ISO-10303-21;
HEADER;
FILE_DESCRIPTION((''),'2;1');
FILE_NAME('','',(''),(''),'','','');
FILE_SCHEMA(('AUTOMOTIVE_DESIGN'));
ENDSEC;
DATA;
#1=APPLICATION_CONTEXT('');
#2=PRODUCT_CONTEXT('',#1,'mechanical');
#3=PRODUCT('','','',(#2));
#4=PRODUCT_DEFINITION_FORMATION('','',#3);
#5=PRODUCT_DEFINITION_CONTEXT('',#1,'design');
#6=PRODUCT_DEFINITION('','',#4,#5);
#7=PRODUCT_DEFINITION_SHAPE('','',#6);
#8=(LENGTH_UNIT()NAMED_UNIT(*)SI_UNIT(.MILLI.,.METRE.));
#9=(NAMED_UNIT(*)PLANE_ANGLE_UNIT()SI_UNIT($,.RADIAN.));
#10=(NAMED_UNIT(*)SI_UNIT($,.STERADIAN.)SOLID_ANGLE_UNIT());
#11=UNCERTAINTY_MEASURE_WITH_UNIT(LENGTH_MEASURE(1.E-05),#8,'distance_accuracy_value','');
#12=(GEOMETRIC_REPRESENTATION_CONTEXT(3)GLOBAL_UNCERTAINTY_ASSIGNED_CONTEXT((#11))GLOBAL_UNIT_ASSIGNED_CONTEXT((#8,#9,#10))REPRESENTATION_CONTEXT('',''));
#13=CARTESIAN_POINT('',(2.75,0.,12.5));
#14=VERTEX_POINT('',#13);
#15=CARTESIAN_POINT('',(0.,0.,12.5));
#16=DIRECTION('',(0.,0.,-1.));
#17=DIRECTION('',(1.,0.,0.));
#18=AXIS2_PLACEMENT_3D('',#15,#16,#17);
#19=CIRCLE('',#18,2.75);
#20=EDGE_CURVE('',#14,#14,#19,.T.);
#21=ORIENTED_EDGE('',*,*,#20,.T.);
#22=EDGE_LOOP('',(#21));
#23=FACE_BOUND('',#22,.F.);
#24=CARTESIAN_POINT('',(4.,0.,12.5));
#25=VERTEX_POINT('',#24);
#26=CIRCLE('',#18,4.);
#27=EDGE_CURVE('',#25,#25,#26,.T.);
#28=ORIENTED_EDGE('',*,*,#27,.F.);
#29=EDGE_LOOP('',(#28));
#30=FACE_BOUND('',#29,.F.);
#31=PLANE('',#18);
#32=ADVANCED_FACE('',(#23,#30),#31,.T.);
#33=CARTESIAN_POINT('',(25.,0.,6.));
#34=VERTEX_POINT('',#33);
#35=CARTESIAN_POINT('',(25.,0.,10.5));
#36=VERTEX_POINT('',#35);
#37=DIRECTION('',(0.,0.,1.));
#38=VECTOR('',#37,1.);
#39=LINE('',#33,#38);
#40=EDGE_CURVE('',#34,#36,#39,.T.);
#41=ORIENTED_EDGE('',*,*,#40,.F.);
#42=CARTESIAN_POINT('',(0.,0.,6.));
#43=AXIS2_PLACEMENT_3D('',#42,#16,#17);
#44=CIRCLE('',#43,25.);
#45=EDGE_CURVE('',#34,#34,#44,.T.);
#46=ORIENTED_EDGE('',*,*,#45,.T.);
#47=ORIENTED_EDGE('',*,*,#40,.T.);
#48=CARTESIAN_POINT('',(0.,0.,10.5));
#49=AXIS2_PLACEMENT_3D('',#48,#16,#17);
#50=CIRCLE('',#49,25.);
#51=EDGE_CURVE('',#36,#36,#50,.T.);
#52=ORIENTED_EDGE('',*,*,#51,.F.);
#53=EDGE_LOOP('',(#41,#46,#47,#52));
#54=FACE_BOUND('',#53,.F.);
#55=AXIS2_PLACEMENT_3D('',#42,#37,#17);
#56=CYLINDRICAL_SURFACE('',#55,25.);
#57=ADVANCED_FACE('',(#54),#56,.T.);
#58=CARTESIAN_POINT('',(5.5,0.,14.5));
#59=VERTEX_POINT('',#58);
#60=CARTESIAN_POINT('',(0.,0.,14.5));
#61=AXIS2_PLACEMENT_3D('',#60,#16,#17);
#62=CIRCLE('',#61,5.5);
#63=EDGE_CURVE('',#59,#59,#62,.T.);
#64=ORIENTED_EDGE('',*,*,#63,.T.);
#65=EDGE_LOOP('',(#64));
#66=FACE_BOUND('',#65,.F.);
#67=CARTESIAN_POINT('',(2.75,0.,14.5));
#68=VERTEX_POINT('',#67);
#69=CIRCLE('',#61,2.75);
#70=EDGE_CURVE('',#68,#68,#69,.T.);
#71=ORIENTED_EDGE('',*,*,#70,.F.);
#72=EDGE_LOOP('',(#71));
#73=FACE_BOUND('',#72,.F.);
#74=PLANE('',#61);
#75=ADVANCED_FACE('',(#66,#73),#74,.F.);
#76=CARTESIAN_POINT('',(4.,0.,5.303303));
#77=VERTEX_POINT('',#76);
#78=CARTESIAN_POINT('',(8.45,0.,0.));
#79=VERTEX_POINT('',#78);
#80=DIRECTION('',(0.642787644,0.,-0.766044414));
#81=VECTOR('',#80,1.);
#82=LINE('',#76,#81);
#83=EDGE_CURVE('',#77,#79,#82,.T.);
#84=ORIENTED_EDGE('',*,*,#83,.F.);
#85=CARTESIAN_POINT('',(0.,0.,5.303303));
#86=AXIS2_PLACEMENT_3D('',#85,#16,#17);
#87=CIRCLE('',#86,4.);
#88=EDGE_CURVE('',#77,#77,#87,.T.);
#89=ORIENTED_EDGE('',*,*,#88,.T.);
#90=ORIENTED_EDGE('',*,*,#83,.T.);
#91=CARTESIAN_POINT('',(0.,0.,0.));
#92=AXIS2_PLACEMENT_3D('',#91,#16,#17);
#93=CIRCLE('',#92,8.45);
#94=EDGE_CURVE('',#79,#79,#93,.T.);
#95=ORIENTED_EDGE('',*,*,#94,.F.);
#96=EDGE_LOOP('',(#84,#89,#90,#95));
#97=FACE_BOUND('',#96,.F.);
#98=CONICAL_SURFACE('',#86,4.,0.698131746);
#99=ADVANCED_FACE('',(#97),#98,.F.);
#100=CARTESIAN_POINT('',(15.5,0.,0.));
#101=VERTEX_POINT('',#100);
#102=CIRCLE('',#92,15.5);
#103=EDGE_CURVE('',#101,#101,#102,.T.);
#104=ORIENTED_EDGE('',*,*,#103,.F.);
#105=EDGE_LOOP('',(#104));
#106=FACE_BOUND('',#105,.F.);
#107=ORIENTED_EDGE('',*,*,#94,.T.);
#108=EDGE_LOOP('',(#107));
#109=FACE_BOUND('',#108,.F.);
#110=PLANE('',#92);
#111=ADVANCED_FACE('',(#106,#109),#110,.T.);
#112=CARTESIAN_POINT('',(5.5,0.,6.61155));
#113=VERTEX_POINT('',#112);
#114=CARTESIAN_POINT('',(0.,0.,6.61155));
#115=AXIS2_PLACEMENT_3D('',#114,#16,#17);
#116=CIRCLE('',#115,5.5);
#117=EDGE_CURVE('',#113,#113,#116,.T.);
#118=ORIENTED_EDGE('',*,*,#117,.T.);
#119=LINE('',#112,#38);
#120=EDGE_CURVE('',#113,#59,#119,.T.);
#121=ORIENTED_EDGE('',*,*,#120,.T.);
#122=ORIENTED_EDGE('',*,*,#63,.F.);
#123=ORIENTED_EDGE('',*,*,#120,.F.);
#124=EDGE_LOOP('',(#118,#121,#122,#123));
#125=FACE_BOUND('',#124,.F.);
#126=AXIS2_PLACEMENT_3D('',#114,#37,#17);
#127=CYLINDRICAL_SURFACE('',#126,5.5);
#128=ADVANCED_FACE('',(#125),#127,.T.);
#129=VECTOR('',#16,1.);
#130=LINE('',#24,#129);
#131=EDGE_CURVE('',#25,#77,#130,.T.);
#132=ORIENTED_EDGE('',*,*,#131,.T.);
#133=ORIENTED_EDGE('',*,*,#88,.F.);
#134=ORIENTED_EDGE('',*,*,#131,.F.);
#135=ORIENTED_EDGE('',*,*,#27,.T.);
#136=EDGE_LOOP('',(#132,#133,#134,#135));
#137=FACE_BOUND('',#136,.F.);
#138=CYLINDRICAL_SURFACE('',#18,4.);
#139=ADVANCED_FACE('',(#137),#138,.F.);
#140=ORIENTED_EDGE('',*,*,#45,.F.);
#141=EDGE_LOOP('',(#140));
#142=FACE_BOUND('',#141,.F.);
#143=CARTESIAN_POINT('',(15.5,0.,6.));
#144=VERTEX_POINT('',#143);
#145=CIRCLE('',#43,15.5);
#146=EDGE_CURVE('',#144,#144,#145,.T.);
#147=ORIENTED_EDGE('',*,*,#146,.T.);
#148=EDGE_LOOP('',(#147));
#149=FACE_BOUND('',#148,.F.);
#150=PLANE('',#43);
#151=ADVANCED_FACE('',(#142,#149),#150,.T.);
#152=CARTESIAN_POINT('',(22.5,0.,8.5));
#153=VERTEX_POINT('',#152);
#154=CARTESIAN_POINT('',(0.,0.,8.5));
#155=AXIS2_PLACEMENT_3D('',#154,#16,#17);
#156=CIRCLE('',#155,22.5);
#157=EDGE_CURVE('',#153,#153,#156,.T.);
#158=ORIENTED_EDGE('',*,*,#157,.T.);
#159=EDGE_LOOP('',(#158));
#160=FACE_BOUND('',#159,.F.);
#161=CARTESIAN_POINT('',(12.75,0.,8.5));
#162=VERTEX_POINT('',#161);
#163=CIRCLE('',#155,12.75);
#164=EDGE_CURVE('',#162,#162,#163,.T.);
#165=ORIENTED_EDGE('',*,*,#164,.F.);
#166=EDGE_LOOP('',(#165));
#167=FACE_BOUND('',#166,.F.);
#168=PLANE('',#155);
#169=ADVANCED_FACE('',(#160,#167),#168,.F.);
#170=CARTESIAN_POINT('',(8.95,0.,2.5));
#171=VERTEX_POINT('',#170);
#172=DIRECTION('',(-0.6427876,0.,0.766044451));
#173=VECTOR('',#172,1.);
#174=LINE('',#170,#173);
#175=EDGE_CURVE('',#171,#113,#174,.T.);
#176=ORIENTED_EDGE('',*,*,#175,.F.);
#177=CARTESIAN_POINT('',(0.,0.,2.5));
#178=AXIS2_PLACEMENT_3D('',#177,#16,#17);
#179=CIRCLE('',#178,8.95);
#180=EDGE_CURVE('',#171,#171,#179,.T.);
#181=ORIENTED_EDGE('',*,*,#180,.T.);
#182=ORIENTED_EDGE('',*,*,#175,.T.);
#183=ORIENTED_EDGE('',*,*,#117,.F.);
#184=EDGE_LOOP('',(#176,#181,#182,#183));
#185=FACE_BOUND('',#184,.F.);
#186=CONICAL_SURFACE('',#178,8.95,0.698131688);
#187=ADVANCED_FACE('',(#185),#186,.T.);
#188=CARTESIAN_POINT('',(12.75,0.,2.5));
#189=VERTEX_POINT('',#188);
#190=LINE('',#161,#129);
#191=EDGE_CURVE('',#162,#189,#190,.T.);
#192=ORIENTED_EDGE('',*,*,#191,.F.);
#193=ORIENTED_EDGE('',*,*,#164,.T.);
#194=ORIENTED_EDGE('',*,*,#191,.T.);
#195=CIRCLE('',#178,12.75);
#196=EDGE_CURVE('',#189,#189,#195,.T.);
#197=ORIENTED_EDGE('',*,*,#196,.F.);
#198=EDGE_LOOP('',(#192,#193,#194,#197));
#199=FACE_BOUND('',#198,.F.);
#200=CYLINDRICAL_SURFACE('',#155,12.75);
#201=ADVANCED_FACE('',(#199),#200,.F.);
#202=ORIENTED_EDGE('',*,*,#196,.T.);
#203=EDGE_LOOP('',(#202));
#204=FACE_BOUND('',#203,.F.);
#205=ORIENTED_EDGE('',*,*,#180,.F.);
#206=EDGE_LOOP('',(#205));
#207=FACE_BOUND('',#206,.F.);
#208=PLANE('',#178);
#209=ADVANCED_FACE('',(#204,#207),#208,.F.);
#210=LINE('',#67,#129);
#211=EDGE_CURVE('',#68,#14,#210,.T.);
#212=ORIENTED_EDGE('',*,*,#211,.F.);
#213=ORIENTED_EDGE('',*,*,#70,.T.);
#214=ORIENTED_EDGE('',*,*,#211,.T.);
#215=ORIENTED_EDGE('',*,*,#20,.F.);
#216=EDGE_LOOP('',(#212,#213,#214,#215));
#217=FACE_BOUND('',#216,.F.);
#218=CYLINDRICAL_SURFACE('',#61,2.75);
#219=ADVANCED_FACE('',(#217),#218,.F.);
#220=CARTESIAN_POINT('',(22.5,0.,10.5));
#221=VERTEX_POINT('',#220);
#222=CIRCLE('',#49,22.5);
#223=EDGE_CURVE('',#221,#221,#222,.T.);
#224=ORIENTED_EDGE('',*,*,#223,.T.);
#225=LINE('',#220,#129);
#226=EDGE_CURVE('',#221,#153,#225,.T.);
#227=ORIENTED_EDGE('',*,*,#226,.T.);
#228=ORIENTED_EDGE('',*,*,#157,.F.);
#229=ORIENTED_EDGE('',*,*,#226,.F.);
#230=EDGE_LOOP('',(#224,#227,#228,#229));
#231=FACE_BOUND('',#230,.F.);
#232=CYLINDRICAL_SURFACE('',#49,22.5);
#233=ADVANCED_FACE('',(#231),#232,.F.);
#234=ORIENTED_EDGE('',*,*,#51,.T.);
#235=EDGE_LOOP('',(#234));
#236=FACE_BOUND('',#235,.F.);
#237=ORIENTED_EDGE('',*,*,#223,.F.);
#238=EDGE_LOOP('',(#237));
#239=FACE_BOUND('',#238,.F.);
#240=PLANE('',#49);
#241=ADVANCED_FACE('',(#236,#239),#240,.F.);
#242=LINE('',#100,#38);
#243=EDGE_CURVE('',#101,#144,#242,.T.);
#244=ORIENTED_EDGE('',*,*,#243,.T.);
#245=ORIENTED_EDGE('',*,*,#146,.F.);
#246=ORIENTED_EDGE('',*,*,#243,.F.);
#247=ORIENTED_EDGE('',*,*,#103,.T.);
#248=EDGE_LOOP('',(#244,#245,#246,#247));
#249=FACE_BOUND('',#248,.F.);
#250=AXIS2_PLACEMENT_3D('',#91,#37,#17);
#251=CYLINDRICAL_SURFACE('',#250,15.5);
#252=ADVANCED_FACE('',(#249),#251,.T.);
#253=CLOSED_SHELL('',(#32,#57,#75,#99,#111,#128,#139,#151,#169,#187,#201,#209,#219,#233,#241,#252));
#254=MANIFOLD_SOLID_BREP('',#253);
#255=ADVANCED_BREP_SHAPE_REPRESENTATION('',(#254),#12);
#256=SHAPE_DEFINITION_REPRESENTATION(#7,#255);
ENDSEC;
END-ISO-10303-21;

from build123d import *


with BuildPart() as f1:
    # F0 (on Front) → F1 (revolve)
    with BuildSketch(Plane.XZ):
        Polygon((8.45, 0), (15.5, 0), (15.5, 6), (25, 6), (25, 10.5), (22.5, 10.5), (22.5, 8.5), (12.75, 8.5), (12.75, 2.5), (8.95, 2.5), (5.5, 6.61155), (5.5, 8.5), (5.5, 10.5), (5.5, 14.5), (2.75, 14.5), (2.75, 12.5), (4, 12.5), (4, 5.303303), align=None)
    revolve(axis=Axis((0, 0, 2.742161), (0, 0, -1)))


solid = f1.part
